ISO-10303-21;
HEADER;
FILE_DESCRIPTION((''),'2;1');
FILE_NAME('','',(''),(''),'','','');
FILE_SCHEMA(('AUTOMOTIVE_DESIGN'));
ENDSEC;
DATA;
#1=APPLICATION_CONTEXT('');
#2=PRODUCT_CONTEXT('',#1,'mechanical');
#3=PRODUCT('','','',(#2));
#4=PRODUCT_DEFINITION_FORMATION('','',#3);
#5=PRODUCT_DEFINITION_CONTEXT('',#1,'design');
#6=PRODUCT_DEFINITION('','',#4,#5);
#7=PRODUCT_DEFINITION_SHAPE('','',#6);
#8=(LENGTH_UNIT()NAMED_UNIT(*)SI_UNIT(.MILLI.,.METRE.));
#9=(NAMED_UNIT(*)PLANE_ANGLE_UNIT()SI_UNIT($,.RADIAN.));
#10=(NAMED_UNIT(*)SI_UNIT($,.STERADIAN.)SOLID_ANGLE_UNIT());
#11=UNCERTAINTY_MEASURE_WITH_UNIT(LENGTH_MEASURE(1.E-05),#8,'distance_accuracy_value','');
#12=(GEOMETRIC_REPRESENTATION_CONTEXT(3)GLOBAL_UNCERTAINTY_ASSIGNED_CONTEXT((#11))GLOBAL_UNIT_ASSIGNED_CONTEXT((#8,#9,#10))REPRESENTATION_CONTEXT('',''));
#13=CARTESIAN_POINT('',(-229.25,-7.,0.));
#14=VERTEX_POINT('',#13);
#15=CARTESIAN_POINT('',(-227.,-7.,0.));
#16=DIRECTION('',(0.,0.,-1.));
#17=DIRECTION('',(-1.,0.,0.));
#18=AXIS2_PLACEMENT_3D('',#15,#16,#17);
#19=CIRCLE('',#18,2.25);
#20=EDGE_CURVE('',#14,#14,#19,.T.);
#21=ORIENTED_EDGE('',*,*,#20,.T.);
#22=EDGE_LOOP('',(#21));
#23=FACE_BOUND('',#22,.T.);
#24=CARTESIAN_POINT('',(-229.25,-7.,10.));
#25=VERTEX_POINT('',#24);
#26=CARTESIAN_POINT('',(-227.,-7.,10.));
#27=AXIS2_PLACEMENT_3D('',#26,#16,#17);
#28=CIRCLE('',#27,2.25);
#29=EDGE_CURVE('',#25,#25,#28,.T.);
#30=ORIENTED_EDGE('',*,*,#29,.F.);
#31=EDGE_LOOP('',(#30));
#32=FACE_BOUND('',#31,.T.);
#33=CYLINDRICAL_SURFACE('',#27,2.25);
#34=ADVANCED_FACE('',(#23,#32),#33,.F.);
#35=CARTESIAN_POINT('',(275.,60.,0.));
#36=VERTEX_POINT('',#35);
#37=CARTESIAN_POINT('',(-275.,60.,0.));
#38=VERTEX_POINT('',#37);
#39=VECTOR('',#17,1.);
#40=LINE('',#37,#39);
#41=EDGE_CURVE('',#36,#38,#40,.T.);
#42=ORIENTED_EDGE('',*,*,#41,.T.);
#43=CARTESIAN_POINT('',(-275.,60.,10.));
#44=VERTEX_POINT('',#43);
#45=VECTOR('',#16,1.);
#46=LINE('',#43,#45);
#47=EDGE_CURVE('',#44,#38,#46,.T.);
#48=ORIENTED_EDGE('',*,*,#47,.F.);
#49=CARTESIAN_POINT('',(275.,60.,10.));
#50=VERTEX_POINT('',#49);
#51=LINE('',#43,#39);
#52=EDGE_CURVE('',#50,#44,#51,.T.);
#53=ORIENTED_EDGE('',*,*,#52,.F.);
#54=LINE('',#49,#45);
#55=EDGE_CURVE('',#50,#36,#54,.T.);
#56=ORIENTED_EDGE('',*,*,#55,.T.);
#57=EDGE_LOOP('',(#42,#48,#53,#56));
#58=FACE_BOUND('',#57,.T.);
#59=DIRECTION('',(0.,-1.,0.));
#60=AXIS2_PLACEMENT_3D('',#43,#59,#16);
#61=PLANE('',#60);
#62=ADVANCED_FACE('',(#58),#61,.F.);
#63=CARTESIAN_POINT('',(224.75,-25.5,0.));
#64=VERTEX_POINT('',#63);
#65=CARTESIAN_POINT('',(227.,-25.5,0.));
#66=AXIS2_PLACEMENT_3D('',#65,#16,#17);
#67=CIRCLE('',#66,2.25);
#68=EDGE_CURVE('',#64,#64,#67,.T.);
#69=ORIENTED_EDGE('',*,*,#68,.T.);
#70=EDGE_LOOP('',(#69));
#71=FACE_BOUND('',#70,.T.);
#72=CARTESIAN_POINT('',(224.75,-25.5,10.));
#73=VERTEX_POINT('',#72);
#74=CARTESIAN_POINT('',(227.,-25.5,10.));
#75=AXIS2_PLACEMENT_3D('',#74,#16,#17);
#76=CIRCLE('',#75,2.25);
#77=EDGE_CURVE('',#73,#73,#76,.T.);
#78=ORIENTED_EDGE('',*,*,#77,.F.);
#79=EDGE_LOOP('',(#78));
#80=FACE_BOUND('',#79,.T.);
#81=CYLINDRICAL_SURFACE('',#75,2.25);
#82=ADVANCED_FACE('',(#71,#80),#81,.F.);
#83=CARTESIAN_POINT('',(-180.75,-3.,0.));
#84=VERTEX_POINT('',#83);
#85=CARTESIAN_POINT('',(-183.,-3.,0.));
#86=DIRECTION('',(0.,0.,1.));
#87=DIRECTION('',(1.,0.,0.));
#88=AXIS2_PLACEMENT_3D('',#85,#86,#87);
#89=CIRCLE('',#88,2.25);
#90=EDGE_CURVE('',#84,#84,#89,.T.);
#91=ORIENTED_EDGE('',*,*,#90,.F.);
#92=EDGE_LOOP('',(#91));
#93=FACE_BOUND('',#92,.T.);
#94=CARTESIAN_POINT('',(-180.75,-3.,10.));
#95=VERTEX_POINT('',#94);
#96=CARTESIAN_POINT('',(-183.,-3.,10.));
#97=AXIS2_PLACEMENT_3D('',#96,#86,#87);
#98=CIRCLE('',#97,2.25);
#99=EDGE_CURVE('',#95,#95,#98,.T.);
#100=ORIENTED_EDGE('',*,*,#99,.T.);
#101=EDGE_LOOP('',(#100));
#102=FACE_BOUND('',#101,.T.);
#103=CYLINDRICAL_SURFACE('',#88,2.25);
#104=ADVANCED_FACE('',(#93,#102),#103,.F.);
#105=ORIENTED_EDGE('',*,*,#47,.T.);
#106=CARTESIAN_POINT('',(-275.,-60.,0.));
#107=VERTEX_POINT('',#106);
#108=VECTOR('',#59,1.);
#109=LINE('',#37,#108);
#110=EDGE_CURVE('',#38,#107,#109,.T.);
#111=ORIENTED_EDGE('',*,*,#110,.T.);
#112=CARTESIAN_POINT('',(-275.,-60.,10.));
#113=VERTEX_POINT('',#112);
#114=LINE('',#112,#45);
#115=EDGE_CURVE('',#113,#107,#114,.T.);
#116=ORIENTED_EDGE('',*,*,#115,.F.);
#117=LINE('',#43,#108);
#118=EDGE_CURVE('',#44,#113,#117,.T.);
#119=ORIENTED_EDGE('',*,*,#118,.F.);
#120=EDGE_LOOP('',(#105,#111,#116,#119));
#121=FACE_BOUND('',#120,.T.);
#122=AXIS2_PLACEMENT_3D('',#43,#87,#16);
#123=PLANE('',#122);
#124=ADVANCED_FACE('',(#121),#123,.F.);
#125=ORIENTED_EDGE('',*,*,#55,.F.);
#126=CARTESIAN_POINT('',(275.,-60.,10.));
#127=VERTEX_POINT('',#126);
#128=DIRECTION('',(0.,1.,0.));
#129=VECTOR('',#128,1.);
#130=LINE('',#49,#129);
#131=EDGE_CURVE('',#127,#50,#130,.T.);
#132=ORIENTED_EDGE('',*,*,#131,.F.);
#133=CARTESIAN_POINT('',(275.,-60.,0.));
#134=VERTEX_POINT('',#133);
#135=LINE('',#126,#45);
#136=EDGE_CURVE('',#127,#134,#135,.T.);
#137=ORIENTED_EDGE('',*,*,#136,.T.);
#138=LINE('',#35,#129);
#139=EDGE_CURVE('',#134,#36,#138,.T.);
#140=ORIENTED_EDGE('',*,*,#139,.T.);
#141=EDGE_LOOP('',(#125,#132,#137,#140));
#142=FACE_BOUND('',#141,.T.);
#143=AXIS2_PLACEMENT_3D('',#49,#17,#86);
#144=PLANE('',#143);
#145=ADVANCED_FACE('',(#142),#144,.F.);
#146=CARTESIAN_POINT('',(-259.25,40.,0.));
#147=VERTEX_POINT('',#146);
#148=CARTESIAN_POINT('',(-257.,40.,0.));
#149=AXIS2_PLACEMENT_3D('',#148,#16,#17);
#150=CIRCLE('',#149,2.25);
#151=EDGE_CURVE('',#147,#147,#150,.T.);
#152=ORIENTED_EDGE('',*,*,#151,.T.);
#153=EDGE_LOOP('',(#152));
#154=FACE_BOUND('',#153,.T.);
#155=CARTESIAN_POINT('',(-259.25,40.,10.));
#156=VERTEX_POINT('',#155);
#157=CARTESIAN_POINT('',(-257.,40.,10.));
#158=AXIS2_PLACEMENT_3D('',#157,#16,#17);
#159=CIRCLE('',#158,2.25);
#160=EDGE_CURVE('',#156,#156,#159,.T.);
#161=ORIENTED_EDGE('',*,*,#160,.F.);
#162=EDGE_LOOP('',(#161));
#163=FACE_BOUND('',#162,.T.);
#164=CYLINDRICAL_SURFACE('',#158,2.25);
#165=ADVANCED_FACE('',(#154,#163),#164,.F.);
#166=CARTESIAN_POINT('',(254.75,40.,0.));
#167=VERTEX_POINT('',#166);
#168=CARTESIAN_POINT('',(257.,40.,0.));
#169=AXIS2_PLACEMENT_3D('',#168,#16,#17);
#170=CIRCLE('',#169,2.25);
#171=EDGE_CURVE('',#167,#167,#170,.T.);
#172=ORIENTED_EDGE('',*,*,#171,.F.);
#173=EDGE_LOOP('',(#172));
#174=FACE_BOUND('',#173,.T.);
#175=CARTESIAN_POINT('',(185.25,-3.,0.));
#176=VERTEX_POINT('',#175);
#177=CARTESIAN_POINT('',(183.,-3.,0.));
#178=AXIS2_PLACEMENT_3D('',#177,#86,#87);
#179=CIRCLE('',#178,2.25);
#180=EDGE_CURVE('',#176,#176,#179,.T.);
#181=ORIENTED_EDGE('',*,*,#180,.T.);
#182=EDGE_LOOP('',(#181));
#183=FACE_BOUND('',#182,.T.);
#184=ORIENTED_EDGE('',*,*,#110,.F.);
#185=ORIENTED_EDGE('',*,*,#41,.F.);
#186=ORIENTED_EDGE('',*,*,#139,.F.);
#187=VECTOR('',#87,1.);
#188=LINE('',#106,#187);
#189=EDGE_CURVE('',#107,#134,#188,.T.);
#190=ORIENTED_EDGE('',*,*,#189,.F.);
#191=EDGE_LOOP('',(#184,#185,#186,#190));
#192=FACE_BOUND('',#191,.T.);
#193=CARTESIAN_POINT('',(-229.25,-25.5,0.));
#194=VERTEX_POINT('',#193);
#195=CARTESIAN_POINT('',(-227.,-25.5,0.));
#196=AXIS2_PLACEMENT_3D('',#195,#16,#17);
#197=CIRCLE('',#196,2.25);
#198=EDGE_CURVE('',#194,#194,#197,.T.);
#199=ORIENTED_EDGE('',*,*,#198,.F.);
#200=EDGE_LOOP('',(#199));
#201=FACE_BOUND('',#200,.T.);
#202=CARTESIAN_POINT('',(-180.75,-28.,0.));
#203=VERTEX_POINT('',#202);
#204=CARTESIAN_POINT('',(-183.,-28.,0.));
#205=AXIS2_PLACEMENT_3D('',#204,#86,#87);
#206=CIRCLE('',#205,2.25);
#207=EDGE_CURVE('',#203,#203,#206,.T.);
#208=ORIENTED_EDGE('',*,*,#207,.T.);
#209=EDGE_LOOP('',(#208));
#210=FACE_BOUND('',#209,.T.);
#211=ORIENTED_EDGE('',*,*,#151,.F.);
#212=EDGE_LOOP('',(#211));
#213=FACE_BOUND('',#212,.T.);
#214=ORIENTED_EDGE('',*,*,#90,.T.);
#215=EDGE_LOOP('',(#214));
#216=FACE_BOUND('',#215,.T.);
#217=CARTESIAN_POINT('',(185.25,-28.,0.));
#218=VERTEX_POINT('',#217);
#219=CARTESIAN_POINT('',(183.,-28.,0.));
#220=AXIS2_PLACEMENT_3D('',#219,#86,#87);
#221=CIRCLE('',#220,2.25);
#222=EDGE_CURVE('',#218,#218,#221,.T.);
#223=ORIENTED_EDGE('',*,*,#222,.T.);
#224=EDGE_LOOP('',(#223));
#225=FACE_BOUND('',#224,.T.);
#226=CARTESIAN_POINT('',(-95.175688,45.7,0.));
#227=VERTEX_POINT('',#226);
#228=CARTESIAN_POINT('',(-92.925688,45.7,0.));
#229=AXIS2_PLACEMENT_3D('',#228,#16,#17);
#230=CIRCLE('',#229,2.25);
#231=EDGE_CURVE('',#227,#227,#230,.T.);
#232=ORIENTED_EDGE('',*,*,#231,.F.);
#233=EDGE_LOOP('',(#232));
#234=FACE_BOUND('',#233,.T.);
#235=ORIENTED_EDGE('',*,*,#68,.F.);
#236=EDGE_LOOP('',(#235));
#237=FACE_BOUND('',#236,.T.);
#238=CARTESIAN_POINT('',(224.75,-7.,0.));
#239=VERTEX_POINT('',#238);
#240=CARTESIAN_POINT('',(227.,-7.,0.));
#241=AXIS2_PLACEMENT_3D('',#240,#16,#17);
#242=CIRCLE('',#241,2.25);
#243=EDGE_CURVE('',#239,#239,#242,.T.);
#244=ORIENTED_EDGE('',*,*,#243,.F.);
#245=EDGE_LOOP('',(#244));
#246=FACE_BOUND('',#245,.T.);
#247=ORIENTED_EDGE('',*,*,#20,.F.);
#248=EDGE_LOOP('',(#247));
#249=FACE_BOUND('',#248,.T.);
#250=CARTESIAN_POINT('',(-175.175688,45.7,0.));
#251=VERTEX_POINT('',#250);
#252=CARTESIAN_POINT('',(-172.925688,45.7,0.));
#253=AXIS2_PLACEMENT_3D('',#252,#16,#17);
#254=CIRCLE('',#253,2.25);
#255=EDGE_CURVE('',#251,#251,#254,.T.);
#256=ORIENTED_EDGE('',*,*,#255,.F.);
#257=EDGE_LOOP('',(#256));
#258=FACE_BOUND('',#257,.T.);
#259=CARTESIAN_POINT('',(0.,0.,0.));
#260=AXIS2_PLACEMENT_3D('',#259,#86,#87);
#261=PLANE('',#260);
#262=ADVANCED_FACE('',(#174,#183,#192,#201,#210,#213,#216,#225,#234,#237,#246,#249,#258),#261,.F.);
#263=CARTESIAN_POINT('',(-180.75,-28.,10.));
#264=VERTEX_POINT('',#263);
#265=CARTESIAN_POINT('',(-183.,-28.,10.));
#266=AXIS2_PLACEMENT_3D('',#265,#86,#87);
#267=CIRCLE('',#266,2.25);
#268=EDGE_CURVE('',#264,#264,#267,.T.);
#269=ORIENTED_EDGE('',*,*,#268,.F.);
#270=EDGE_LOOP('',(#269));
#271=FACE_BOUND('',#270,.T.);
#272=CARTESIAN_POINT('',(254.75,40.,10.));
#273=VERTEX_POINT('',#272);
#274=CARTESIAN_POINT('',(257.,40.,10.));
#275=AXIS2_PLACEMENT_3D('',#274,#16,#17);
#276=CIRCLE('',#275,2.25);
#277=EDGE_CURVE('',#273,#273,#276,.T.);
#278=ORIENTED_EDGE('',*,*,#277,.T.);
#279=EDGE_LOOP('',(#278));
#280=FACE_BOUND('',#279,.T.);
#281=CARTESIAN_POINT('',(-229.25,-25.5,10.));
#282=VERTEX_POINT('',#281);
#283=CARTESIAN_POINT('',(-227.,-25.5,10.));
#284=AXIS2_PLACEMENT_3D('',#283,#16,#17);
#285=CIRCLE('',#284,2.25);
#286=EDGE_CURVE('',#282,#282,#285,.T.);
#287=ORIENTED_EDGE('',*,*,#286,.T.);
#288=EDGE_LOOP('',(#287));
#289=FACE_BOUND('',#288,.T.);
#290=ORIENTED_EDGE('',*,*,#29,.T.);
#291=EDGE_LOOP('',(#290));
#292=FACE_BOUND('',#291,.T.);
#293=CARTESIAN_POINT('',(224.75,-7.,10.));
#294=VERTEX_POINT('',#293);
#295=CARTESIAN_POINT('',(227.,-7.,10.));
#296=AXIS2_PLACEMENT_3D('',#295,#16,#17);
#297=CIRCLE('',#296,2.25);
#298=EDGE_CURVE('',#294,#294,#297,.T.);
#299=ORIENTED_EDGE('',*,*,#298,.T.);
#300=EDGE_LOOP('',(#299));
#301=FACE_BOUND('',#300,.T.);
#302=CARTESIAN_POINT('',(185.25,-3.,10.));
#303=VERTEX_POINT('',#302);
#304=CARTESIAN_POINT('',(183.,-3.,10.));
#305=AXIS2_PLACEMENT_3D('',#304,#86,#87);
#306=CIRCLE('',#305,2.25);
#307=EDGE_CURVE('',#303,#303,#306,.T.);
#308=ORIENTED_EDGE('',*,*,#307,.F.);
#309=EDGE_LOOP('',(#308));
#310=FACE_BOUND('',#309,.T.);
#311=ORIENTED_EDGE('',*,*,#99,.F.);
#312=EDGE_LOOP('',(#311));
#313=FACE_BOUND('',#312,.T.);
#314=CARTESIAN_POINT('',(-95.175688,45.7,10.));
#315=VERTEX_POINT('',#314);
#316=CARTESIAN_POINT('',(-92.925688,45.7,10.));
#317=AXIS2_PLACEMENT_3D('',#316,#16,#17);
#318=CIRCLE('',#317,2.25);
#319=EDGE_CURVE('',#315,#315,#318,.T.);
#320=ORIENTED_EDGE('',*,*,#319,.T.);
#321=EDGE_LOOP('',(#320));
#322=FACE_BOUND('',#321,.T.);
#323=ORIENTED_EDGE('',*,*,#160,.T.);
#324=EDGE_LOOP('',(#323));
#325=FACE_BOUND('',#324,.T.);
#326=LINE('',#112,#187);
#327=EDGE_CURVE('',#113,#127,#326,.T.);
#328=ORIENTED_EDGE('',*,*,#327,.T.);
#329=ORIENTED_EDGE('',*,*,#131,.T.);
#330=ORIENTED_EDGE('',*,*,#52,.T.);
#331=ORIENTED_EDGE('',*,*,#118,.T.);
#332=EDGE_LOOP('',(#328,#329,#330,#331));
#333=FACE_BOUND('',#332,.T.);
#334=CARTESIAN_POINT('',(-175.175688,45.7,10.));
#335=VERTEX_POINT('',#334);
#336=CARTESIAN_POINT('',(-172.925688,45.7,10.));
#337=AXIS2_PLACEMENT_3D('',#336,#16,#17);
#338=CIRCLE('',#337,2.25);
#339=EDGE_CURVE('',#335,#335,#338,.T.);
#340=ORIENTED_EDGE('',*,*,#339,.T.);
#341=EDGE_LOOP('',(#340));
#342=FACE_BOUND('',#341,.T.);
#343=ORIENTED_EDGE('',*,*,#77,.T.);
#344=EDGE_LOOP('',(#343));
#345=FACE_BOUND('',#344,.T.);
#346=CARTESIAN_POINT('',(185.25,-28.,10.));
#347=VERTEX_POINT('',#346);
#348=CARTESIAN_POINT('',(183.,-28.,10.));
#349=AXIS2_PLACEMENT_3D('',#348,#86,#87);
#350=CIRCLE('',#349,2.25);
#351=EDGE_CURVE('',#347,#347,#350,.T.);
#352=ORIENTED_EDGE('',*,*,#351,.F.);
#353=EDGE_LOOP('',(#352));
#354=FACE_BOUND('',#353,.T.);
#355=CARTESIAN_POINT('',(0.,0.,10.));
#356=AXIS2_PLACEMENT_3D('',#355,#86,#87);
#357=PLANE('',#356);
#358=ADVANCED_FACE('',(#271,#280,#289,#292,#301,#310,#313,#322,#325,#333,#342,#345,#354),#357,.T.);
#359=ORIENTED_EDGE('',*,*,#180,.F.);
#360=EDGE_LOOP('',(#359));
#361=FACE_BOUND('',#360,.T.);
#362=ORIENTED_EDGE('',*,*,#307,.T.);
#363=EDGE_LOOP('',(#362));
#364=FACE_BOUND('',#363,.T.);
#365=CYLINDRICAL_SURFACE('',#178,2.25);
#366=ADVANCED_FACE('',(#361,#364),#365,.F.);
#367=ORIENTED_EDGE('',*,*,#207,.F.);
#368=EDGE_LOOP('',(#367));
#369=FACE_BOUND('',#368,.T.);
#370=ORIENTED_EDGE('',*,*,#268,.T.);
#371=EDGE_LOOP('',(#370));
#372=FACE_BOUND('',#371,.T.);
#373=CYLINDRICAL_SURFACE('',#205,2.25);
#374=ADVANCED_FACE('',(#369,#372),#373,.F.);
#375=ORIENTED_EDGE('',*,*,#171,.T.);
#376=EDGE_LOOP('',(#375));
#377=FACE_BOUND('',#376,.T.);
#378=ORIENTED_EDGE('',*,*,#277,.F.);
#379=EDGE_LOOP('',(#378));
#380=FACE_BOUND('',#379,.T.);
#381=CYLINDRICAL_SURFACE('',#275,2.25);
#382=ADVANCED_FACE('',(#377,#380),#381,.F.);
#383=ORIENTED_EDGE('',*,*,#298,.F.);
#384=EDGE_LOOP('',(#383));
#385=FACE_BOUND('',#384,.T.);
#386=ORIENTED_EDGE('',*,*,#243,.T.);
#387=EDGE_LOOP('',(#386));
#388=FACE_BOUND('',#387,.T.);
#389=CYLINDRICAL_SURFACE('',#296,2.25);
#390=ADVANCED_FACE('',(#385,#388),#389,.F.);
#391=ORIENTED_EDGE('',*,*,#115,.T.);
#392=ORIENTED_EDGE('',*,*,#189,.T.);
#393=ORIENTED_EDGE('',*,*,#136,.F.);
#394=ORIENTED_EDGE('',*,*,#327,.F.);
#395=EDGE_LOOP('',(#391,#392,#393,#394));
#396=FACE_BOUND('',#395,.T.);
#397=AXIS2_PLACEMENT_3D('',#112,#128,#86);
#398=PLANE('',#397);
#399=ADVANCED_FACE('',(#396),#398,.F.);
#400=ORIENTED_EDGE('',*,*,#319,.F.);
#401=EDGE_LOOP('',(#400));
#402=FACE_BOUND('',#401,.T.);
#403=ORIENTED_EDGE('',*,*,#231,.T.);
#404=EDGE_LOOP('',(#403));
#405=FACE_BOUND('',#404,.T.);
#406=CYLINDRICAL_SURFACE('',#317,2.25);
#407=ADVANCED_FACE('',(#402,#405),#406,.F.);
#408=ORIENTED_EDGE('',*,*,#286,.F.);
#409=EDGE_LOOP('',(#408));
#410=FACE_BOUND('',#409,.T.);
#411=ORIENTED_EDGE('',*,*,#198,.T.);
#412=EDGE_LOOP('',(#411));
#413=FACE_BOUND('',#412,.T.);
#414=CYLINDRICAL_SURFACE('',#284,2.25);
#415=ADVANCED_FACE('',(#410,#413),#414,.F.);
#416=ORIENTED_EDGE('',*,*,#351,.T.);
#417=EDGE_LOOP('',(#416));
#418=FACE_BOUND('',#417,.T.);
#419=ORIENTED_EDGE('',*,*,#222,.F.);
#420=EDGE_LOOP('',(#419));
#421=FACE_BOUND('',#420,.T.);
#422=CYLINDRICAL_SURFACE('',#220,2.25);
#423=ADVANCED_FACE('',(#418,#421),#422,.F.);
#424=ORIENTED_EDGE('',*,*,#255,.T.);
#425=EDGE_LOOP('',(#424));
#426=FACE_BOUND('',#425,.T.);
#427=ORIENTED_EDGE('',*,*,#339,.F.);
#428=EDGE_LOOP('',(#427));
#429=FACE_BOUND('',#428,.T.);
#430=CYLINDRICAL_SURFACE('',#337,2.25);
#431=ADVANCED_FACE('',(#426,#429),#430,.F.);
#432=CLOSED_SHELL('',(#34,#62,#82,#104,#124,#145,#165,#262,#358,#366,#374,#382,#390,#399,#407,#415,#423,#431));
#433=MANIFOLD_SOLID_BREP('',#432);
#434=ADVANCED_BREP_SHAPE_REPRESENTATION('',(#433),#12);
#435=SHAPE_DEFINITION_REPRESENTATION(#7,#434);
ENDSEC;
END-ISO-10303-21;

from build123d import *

# Parameters (mm, degrees)
SCHIZZO1_W                   = 550
SCHIZZO1_H                   = 120
ESTRUSIONE_ESTRUSIONE1_DEPTH = 10
SCHIZZO2_R                   = 2.25
TAGLIO_ESTRUSIONE1_DEPTH     = 10
SCHIZZO3_R                   = 2.25
TAGLIO_ESTRUSIONE2_DEPTH     = 10


with BuildPart() as part:
    # Schizzo1 → Estrusione-Estrusione1 (new body)
    with BuildSketch(Plane.XY):
        Rectangle(SCHIZZO1_W, SCHIZZO1_H)
    extrude(amount=ESTRUSIONE_ESTRUSIONE1_DEPTH)

    # Schizzo2 → Taglio-Estrusione1 (cut)
    with BuildSketch(Plane(origin=(0, 0, 0), x_dir=(-1, 0, 0), z_dir=(0, 0, -1))):
        with Locations((-227, -7)):
            Circle(SCHIZZO2_R)
        with Locations((-227, -25.5)):
            Circle(SCHIZZO2_R)
        with Locations((227, -7)):
            Circle(SCHIZZO2_R)
        with Locations((227, -25.5)):
            Circle(SCHIZZO2_R)
        with Locations((-257, 40)):
            Circle(SCHIZZO2_R)
        with Locations((257, 40)):
            Circle(SCHIZZO2_R)
        with Locations((172.925688, 45.7)):
            Circle(SCHIZZO2_R)
        with Locations((92.925688, 45.7)):
            Circle(SCHIZZO2_R)
    extrude(amount=-TAGLIO_ESTRUSIONE1_DEPTH, mode=Mode.SUBTRACT)

    # Schizzo3 → Taglio-Estrusione2 (cut)
    with BuildSketch(Plane.XY.offset(10)):
        with Locations((-183, -3)):
            Circle(SCHIZZO3_R)
        with Locations((-183, -28)):
            Circle(SCHIZZO3_R)
        with Locations((183, -28)):
            Circle(SCHIZZO3_R)
        with Locations((183, -3)):
            Circle(SCHIZZO3_R)
    extrude(amount=-TAGLIO_ESTRUSIONE2_DEPTH, mode=Mode.SUBTRACT)


solid = part.part
